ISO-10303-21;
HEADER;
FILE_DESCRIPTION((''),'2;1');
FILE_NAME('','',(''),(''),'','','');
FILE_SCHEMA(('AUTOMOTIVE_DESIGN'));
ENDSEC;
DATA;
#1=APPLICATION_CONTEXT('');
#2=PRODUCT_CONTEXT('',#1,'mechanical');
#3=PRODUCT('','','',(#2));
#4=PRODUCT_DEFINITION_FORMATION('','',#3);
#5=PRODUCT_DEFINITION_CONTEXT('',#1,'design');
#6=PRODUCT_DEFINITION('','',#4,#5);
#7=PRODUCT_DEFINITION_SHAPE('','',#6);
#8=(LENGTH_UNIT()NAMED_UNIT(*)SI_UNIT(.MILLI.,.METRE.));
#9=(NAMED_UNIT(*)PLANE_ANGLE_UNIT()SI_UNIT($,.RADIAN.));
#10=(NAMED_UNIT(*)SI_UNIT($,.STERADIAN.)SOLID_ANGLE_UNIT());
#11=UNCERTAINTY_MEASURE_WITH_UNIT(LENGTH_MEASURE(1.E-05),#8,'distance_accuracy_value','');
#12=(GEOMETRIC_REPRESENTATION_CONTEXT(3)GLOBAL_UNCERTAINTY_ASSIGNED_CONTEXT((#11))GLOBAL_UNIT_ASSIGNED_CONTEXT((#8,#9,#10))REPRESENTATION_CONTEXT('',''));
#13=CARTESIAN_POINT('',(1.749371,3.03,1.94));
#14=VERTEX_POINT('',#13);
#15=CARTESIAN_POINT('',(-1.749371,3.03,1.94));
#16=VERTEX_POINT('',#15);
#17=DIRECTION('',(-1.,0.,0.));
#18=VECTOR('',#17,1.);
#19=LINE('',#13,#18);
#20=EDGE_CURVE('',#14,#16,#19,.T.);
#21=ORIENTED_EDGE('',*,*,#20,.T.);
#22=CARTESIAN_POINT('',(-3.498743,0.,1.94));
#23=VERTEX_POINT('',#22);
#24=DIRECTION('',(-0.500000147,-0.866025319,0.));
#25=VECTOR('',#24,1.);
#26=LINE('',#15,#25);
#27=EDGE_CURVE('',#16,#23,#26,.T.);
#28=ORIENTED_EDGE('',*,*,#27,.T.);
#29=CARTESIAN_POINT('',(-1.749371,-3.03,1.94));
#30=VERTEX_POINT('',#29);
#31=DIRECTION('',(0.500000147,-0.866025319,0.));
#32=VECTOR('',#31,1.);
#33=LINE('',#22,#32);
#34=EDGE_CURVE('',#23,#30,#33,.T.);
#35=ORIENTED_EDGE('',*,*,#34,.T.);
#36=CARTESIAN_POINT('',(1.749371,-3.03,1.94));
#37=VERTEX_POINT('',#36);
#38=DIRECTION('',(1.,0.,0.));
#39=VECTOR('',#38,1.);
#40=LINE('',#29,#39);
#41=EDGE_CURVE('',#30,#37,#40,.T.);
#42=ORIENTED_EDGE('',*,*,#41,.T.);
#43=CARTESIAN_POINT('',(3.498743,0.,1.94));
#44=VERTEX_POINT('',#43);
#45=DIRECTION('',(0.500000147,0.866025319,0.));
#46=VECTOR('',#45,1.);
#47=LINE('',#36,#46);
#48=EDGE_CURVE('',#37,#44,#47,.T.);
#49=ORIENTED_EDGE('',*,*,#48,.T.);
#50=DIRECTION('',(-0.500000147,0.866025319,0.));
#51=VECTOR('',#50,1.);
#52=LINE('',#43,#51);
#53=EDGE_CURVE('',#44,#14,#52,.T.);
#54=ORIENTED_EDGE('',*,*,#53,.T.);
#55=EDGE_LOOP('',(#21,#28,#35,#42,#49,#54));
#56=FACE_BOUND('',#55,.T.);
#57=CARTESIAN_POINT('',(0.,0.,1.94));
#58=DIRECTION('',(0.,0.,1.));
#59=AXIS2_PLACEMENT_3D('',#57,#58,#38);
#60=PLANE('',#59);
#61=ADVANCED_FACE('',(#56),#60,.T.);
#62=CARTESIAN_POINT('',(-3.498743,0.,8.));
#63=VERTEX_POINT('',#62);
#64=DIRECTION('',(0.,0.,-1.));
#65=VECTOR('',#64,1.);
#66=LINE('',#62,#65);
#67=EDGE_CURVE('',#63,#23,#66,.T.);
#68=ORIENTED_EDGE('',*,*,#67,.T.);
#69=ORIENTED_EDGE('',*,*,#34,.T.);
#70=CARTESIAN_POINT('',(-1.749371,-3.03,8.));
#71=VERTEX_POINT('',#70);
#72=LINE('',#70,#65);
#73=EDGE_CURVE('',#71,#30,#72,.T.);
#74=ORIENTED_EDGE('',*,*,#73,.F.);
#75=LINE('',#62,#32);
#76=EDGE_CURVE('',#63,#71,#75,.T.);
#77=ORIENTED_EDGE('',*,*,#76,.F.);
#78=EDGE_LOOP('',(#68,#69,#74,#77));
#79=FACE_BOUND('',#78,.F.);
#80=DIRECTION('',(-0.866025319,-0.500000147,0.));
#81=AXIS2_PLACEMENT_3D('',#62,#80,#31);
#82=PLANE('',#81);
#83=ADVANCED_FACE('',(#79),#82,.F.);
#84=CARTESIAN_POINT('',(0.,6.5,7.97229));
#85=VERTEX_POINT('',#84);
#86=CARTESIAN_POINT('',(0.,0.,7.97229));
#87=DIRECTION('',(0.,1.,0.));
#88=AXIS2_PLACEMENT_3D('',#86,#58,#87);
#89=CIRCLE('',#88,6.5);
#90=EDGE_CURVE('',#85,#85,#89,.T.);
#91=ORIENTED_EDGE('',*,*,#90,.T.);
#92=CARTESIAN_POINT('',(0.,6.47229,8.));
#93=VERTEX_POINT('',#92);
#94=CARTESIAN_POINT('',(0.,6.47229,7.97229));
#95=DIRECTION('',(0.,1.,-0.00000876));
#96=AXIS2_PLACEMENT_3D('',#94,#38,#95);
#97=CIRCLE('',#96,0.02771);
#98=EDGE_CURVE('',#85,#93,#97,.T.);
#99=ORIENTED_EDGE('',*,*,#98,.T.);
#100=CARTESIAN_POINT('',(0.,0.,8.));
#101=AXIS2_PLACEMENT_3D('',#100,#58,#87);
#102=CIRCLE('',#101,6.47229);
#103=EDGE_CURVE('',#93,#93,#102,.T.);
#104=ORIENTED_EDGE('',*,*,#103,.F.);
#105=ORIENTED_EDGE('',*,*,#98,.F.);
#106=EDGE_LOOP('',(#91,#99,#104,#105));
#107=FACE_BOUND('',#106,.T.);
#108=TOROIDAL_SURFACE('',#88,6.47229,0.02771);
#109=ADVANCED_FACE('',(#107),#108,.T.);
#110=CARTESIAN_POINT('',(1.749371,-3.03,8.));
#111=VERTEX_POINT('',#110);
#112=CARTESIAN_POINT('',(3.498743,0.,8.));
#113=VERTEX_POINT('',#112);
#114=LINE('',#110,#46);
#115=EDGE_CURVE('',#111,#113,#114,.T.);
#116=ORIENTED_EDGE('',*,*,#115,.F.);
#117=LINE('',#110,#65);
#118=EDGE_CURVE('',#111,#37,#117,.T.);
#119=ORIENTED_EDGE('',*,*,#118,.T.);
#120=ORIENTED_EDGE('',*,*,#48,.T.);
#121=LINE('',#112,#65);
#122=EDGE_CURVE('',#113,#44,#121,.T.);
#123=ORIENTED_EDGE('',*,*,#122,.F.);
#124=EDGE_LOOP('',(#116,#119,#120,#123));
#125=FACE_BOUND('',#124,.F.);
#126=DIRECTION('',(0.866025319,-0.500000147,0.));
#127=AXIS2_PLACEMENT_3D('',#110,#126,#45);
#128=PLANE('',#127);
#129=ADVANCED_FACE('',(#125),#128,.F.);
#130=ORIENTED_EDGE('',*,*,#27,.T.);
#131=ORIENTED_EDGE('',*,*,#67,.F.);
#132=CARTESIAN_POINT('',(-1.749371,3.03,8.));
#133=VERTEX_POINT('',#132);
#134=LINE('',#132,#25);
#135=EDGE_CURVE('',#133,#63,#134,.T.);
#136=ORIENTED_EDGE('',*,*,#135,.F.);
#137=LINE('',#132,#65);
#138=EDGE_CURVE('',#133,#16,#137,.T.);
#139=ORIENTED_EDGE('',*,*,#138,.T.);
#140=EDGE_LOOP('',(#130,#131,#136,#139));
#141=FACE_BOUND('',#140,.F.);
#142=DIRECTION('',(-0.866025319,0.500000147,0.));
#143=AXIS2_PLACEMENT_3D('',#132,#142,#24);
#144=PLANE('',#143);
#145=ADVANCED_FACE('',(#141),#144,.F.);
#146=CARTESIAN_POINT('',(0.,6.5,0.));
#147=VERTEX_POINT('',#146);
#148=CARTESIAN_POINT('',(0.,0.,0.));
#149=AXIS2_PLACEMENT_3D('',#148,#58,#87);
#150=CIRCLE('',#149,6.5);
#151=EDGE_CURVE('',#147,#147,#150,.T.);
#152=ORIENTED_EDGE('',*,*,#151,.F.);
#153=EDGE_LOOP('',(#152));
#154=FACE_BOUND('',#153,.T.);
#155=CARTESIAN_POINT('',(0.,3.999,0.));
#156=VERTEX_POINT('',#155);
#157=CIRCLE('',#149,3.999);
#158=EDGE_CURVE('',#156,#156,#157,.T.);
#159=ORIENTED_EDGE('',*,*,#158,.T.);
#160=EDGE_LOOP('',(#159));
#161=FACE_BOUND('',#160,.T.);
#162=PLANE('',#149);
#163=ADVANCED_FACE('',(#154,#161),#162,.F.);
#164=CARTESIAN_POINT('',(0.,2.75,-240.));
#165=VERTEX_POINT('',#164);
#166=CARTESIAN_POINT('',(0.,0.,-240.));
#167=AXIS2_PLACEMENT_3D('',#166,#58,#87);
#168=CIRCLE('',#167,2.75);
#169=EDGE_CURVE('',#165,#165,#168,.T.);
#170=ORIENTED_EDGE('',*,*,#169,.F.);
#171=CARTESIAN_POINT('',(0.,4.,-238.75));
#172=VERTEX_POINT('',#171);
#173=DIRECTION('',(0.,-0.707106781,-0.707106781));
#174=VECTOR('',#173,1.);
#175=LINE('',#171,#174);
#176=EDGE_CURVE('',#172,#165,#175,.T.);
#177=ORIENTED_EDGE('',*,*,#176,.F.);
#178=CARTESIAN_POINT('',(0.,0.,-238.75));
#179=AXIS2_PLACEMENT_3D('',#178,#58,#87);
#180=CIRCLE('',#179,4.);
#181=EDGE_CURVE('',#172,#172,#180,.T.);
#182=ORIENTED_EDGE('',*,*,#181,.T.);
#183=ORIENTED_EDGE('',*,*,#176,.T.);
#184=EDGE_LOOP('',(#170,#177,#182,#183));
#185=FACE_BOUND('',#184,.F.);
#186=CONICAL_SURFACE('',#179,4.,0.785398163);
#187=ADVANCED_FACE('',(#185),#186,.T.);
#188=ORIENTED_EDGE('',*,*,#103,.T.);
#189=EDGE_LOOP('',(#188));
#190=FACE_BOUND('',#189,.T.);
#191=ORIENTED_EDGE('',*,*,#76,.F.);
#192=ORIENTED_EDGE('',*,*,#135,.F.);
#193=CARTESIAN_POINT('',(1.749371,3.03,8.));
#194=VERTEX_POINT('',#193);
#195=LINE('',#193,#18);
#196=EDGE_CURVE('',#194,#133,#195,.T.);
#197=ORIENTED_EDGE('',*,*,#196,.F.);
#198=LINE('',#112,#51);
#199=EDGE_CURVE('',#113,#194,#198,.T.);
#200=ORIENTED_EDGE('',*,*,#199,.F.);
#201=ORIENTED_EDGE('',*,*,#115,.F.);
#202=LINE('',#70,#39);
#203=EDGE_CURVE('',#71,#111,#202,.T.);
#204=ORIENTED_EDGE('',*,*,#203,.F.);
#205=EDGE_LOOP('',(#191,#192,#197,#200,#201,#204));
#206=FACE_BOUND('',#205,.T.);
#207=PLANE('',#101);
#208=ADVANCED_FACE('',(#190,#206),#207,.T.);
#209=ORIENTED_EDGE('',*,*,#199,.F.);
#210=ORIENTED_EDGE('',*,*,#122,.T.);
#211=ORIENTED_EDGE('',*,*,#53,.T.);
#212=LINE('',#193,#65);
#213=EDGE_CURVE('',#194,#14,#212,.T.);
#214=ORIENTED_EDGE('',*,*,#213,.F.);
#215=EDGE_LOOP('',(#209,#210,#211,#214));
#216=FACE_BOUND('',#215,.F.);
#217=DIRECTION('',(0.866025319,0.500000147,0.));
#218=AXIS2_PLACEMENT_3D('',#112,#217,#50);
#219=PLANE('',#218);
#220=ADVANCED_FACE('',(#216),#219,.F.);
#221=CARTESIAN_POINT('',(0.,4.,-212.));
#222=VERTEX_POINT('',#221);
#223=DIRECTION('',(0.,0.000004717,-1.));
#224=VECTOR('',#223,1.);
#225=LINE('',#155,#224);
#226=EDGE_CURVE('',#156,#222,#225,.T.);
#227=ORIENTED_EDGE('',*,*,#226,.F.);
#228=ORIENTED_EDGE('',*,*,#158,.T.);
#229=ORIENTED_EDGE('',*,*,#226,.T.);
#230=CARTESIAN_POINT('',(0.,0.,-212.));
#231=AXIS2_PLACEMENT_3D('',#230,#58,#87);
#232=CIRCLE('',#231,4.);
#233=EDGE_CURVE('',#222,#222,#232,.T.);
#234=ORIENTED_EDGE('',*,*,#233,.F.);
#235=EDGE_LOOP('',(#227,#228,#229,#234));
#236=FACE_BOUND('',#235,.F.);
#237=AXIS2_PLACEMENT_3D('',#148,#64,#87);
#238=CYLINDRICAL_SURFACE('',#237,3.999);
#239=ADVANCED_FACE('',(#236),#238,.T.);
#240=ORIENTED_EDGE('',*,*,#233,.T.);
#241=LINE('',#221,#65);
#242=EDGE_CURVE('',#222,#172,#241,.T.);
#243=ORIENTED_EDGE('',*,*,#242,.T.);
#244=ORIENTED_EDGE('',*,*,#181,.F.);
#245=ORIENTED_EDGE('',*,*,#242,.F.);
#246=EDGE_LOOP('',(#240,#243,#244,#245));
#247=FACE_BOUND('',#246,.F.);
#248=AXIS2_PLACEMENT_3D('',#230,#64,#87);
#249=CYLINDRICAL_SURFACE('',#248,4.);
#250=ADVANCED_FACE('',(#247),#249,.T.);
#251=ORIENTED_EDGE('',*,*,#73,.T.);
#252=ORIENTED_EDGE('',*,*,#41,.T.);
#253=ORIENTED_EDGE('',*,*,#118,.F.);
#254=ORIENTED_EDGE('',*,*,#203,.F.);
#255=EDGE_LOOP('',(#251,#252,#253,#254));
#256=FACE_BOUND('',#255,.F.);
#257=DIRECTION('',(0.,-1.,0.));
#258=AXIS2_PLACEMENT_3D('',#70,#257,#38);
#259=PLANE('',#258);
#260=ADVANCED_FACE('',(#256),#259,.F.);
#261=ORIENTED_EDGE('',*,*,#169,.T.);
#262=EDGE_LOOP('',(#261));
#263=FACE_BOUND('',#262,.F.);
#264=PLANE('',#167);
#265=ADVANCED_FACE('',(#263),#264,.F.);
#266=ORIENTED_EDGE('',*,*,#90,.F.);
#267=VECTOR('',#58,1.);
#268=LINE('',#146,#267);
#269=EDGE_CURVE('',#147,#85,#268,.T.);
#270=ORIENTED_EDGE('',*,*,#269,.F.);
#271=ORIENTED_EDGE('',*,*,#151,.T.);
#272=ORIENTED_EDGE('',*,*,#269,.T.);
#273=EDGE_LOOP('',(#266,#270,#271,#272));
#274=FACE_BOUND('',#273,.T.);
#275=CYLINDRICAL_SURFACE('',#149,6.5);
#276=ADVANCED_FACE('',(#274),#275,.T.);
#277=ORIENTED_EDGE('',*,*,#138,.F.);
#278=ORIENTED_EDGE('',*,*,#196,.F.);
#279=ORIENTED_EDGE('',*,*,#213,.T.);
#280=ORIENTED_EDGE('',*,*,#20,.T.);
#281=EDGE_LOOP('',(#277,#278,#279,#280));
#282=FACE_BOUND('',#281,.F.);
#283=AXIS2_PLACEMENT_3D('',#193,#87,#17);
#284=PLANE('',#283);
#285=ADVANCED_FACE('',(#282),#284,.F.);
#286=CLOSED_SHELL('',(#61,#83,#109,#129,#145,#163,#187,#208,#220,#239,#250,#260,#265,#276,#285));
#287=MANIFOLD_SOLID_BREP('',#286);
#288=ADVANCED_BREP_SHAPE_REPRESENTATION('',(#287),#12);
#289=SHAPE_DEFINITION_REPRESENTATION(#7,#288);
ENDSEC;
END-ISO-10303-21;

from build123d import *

# Parameters (mm, degrees)
POCKET_DEPTH = 6.06


with BuildPart() as part:
    # Sketch → Revolve (revolve)
    with BuildSketch(Plane.YZ):
        with BuildLine():
            Line((3.999, 0), (6.5, 0))
            Line((6.5, 0), (6.5, 7.97229))
            ThreePointArc((6.5, 7.97229), (6.491884, 7.991884), (6.47229, 8))
            Line((6.47229, 8), (0, 8))
            Line((0, -240), (0, 8))
            Line((2.75, -240), (0, -240))
            Line((4, -238.75), (2.75, -240))
            Line((4, -212), (4, -238.75))
            Line((3.999, 0), (4, -212))
        make_face()
    revolve(axis=Axis((0, 0, 0), (0, 0, 1)))

    # Sketch001 → Pocket (cut)
    with BuildSketch(Plane.XY.offset(8)):
        Polygon((3.498743, 0), (1.749371, 3.03), (-1.749371, 3.03), (-3.498743, 0), (-1.749371, -3.03), (1.749371, -3.03), align=None)
    extrude(amount=-POCKET_DEPTH, mode=Mode.SUBTRACT)


solid = part.part
